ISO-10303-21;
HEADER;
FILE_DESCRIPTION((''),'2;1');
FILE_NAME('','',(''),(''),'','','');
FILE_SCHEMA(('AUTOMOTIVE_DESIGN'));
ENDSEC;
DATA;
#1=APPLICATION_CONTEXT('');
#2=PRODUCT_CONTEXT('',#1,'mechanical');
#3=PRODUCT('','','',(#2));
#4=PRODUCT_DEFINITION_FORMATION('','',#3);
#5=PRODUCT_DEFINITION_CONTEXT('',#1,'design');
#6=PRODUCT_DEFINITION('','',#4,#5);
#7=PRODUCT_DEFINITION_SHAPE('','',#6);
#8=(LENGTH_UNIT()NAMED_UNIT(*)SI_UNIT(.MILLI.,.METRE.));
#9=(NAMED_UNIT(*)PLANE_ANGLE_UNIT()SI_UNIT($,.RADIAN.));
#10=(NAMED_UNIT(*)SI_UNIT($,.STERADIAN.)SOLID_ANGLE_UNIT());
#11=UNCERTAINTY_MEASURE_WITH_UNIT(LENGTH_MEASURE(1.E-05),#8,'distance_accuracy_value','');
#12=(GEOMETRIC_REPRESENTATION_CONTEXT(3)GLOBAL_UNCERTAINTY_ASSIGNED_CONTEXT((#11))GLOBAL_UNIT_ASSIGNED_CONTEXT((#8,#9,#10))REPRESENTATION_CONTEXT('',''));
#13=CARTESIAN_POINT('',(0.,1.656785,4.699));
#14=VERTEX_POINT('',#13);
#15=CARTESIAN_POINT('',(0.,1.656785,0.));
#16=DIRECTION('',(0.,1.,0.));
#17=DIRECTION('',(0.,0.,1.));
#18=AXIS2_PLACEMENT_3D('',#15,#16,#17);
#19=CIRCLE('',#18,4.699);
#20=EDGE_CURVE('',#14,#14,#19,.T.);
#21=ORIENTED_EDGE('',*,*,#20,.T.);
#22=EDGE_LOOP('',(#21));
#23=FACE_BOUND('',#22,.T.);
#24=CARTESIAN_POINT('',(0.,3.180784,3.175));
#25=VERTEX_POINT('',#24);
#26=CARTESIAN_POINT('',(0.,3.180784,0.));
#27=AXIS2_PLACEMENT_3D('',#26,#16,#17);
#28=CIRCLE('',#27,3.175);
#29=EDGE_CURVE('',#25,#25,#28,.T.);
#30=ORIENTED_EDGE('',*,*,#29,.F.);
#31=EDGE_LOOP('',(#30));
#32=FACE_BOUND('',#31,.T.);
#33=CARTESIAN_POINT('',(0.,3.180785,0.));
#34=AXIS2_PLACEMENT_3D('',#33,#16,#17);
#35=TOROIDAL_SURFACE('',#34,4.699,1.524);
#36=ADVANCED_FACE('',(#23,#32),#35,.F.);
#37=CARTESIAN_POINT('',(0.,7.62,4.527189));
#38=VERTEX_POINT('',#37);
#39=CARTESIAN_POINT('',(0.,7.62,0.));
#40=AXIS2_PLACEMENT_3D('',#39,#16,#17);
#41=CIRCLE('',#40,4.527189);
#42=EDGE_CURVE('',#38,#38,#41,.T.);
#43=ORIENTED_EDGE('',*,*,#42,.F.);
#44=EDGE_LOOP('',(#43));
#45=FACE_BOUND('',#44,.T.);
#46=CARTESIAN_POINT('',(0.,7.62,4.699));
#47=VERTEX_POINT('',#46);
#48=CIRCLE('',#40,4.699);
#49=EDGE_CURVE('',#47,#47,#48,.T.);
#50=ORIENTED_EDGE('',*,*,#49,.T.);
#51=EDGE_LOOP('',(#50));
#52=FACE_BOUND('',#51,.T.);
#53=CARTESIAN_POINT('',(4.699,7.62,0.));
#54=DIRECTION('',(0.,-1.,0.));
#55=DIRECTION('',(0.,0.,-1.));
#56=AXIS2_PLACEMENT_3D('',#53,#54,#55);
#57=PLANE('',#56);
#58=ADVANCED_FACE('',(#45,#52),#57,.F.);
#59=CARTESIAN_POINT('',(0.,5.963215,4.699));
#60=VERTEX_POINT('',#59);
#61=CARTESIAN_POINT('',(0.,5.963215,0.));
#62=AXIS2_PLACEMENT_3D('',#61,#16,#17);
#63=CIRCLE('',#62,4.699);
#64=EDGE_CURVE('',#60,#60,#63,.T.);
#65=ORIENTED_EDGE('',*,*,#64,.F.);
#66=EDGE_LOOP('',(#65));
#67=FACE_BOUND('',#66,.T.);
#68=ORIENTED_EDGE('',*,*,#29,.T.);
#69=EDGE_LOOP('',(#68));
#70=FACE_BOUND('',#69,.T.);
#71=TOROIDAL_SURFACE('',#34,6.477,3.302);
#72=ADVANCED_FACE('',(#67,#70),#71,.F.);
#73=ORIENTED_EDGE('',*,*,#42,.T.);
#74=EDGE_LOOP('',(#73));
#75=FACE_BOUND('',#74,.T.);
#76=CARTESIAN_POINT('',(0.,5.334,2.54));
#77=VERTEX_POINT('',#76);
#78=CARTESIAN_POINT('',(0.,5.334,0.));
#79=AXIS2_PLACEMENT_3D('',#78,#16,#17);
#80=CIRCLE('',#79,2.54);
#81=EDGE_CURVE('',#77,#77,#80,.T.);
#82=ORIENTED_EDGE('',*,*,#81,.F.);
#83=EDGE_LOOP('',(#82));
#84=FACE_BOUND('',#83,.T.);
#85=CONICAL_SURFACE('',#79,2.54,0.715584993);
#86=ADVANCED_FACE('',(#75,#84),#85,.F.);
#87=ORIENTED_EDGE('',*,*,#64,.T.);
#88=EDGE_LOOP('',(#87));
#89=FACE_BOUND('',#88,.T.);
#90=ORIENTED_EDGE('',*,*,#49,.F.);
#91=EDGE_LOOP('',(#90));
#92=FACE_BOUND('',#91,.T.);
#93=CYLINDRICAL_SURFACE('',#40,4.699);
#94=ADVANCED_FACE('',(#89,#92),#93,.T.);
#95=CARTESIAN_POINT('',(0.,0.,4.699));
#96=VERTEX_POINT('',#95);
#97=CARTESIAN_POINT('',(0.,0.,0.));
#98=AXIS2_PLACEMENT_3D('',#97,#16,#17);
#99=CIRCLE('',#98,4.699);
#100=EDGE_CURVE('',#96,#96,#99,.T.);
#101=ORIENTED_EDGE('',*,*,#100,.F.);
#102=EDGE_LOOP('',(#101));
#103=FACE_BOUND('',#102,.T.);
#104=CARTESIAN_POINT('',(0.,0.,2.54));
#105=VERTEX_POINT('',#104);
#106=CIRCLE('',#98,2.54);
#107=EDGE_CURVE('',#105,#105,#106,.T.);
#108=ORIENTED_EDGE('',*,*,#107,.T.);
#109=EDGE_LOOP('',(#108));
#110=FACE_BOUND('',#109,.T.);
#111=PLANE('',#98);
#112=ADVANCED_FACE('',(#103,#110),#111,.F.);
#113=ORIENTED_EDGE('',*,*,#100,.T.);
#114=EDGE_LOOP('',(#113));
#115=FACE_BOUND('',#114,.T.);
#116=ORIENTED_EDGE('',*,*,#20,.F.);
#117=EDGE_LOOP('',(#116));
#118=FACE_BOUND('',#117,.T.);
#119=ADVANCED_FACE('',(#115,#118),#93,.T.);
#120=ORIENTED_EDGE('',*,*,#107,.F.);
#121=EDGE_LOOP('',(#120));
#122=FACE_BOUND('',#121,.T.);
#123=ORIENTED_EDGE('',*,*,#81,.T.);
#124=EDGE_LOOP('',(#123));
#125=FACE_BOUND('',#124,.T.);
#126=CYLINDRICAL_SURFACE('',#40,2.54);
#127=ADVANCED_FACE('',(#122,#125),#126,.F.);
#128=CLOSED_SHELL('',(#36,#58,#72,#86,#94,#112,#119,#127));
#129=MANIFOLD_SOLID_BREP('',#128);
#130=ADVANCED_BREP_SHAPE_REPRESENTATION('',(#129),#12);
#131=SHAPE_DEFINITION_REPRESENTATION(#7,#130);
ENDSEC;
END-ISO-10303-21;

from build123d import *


with BuildPart() as part:
    # Sketch1 → Revolve1 (revolve)
    with BuildSketch(Plane.XY, mode=Mode.PRIVATE) as revolve1_sk:
        with BuildLine():
            Line((0, 0), (4.699, 0))
            Line((4.699, 0), (4.699, 1.656784628))
            ThreePointArc((4.699, 1.656784628), (3.621369312, 2.103153847), (3.175, 3.180784498))
            ThreePointArc((3.175, 3.180784498), (3.580954352, 4.767014148), (4.699, 5.963215372))
            Line((4.699, 5.963215372), (4.699, 7.62))
            Line((4.699, 7.62), (0, 7.62))
            Line((0, 7.62), (0, 0))
        make_face()
    revolve(revolve1_sk.sketch.rotate(Axis((0, 7.62, 0), (0, -1, 0)), 90), axis=Axis((0, 7.62, 0), (0, -1, 0)))

    # Sketch2 → Cut-Revolve1 (revolve, cut)
    with BuildSketch(Plane.XY, mode=Mode.PRIVATE) as cut_revolve1_sk:
        Polygon((0, 0), (2.54, 0), (2.54, 5.334), (4.527189483, 7.62), (0, 7.62), align=None)
    revolve(cut_revolve1_sk.sketch.rotate(Axis((0, 7.62, 0), (0, -1, 0)), 90), axis=Axis((0, 7.62, 0), (0, -1, 0)), mode=Mode.SUBTRACT)


solid = part.part
